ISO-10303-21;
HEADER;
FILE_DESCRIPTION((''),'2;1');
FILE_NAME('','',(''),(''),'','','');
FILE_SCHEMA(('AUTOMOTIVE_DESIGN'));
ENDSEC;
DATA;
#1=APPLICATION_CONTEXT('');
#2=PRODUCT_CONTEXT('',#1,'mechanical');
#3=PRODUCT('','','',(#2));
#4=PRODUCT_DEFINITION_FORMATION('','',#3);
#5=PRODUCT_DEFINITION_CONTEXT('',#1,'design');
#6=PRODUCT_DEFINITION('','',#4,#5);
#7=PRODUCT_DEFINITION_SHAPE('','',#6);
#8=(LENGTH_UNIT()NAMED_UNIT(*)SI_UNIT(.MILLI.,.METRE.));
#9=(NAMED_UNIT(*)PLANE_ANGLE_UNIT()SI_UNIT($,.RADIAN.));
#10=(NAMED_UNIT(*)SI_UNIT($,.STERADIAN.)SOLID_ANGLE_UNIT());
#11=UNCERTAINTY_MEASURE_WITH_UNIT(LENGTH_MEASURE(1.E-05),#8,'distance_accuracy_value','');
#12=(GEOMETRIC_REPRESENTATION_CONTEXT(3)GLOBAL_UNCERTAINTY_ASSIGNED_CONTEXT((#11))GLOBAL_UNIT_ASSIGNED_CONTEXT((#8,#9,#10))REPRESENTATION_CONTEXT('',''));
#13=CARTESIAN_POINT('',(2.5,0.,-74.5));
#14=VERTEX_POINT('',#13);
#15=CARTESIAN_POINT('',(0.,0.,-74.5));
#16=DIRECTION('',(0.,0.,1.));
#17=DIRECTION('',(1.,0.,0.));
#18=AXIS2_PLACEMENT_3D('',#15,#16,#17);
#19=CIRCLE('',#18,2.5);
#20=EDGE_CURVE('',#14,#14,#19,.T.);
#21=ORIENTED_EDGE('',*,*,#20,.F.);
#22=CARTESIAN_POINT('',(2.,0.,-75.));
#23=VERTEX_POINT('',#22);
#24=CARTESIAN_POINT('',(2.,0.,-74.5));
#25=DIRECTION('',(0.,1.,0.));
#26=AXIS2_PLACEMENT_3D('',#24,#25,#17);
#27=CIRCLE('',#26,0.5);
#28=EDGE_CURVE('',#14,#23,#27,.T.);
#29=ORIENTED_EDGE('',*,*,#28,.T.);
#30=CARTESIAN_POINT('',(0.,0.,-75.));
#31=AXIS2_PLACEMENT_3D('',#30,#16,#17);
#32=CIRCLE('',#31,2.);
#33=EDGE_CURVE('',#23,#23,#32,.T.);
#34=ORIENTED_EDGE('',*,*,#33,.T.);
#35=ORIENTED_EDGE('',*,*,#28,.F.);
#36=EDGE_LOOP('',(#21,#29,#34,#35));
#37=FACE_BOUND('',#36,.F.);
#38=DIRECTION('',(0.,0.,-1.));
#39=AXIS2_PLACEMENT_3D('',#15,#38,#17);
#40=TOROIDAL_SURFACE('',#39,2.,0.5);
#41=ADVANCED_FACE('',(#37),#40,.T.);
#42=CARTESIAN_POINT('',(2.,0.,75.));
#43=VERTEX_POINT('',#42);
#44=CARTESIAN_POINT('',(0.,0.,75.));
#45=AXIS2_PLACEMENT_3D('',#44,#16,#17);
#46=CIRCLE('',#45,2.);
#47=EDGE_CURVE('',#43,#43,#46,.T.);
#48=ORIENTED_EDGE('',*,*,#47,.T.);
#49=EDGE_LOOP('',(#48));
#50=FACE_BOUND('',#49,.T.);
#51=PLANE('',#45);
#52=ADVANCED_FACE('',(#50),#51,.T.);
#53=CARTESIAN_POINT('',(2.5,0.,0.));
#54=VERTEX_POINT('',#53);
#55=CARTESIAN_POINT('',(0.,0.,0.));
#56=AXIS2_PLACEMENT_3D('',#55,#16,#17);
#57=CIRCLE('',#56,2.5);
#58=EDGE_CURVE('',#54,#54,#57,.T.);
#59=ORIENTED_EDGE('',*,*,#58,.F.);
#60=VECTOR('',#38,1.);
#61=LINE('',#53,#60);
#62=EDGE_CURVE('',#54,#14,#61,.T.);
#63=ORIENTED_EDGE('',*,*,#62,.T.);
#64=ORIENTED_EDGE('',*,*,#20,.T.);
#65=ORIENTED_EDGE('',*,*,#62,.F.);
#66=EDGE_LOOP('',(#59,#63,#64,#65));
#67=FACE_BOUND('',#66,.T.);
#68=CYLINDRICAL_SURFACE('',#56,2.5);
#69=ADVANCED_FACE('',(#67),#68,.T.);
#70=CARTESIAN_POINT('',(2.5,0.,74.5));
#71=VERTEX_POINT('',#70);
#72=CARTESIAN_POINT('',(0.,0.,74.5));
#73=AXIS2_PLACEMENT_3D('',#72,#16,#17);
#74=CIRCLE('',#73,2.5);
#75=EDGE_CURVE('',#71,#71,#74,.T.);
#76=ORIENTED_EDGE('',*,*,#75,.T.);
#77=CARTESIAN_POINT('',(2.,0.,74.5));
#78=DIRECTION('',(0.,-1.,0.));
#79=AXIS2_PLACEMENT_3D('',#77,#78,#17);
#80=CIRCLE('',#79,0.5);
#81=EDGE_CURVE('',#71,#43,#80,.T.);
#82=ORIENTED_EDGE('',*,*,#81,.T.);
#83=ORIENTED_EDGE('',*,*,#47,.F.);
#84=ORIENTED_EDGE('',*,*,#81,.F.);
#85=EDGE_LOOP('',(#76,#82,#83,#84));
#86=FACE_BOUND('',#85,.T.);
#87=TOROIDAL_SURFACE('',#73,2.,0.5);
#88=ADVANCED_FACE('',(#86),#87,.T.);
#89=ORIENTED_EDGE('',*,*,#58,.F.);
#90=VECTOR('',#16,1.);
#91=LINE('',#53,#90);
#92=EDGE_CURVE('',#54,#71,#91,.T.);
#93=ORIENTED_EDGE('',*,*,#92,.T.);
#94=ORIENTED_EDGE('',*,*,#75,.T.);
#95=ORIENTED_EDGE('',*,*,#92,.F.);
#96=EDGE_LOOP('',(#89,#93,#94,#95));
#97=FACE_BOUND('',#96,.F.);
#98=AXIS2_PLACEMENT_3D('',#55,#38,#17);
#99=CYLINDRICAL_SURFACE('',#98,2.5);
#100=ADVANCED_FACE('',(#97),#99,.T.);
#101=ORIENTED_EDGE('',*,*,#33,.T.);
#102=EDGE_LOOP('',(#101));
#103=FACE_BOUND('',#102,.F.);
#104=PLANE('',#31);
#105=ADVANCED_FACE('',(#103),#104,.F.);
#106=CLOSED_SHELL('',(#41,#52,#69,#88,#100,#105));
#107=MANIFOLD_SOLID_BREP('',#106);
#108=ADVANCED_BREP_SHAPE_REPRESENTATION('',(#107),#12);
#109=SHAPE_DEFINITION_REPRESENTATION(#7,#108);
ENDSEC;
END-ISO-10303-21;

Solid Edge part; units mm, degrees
sketch "Sketch1" plane through (0, 0, 0) normal (0, 0, 1) x (1, 0, 0)
  circle A0 centre (0, 0) radius 2.5
extrude "Protrusion1" add sketch "Sketch1" along normal mid plane 150
fillet "Round1" radius 0.5 2 edges at (-2.5, 0, -75) (-2.5, 0, 75)
properties material "Grafit"
